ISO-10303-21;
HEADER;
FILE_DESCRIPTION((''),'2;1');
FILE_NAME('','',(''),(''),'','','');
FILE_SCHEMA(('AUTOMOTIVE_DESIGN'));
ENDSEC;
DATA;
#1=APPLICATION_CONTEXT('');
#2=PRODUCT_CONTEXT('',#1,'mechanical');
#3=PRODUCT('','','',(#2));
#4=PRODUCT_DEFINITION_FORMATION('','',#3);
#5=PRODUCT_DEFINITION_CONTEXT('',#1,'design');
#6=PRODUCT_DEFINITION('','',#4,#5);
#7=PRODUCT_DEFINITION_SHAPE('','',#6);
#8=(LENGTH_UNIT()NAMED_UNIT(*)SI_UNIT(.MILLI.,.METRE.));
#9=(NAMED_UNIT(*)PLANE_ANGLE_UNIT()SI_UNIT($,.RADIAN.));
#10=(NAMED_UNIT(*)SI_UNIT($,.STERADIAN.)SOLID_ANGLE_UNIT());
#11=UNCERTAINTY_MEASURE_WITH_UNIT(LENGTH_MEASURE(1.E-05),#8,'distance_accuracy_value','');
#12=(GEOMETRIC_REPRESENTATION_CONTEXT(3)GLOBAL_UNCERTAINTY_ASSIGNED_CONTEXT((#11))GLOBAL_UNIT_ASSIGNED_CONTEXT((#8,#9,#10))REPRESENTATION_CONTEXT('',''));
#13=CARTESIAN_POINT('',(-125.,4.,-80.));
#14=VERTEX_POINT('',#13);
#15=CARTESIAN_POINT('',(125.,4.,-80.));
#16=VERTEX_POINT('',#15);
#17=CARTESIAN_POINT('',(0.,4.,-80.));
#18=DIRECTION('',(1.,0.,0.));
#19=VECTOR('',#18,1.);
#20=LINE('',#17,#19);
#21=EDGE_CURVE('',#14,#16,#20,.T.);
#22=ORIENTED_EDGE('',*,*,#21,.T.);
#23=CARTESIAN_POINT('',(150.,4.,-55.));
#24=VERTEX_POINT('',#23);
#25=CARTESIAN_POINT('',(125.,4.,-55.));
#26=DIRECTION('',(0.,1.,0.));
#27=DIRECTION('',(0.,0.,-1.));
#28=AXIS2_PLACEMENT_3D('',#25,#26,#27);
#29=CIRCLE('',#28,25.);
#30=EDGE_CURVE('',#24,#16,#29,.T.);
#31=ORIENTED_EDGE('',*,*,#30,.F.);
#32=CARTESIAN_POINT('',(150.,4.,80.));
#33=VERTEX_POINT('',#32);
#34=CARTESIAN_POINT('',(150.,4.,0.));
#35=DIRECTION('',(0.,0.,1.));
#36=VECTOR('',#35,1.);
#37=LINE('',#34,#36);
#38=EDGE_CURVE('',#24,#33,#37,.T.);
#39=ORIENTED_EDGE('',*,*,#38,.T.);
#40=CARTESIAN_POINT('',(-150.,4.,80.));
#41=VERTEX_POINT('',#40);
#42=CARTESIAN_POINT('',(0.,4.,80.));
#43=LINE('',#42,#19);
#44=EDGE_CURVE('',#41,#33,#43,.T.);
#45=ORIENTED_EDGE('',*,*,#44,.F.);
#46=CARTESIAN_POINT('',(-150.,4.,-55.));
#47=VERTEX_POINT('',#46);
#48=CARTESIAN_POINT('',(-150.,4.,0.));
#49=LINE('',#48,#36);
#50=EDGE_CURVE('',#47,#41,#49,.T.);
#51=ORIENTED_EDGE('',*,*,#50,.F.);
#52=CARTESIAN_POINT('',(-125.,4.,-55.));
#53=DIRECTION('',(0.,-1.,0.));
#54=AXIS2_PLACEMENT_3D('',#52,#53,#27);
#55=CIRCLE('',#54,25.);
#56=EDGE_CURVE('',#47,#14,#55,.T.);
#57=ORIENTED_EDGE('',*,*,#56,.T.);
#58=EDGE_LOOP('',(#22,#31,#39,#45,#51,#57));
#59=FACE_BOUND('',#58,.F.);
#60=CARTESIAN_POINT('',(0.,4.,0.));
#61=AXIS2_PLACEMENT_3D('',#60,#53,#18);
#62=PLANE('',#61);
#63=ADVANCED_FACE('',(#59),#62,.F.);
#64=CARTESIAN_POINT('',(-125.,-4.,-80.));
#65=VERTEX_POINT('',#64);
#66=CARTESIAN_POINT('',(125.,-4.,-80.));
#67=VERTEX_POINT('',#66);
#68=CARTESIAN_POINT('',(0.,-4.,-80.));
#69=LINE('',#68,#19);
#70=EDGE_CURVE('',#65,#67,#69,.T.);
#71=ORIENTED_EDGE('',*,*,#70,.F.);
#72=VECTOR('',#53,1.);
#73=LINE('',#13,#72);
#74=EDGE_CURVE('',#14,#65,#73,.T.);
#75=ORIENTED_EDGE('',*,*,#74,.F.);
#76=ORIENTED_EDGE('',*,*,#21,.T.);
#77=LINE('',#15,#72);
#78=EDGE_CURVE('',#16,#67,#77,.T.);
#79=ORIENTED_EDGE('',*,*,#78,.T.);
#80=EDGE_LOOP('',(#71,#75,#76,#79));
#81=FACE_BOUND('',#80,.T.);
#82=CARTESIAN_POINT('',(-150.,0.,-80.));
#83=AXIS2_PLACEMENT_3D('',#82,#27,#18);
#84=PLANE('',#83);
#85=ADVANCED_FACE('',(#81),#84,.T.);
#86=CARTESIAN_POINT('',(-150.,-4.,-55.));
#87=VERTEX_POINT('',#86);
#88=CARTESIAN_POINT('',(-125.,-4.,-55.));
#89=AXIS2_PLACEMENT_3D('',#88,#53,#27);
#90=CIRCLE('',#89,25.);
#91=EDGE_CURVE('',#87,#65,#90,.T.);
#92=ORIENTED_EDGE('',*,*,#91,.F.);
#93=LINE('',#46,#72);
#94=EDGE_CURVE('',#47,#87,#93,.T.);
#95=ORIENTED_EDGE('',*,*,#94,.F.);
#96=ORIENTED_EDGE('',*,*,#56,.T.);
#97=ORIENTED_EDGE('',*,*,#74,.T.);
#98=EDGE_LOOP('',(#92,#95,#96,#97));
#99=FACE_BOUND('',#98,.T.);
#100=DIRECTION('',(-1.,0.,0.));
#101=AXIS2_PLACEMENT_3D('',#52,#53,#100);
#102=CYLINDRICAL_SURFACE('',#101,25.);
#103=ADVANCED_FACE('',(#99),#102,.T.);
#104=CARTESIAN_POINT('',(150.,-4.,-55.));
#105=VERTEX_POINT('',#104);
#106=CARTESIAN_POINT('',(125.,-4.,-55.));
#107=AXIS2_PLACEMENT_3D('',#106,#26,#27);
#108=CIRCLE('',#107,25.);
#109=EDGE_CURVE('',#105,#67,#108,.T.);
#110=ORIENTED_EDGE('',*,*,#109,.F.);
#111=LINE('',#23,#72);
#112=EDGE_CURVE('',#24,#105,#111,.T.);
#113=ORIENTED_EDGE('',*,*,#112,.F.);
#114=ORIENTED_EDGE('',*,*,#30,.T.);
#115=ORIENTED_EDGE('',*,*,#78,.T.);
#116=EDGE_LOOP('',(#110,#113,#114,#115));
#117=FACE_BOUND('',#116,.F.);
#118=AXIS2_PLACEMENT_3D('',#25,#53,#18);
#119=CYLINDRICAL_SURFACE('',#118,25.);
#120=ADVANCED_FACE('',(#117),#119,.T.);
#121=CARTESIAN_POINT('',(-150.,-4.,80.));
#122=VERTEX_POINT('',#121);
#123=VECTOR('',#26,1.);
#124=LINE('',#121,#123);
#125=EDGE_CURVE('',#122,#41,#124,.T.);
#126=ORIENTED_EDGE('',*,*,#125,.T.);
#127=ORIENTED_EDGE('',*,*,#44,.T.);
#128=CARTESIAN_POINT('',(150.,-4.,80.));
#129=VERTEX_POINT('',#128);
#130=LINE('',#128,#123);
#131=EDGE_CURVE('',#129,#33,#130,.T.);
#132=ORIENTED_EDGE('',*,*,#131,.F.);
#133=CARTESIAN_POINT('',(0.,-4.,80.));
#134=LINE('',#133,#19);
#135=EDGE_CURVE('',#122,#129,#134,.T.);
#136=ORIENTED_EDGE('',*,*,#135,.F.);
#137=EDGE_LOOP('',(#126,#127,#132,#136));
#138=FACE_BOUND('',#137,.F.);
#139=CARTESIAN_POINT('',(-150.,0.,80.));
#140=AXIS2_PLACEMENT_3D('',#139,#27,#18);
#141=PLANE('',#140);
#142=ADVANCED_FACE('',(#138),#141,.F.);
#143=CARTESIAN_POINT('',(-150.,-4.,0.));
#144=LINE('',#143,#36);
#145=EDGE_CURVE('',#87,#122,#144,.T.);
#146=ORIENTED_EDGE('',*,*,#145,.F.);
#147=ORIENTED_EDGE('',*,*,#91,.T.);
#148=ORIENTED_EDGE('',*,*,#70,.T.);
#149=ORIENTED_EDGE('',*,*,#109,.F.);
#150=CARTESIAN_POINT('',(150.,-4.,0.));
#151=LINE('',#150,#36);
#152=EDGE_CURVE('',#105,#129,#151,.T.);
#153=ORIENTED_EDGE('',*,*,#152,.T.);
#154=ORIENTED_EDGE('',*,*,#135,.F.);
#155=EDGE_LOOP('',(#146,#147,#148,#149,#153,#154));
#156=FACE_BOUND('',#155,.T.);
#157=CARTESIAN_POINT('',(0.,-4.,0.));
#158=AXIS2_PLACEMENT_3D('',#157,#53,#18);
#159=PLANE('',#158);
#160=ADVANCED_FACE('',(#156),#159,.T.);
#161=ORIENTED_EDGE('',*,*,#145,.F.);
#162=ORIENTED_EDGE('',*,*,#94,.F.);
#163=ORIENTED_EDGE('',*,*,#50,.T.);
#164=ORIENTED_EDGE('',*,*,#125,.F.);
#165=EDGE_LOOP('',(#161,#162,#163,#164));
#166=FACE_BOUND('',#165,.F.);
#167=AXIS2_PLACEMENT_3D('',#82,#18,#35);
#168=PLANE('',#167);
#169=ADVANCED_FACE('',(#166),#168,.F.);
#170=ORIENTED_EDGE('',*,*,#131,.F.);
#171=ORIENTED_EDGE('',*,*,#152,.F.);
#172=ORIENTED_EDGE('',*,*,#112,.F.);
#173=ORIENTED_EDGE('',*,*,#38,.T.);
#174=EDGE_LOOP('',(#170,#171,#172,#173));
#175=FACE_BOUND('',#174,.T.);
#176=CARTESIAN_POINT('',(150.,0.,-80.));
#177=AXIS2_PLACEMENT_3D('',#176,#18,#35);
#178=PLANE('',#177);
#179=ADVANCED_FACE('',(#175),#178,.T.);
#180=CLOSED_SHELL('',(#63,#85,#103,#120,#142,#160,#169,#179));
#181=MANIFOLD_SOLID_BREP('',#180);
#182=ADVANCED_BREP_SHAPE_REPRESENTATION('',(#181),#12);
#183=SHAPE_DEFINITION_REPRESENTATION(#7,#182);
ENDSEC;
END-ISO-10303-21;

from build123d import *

# Parameters (mm, degrees)
F0_W     = 300
F0_H     = 160
F1_DEPTH = 4
F2_R     = 25


with BuildPart() as f1:
    # F0 (on Front) → F1 (new body, symmetric)
    with BuildSketch(Plane.XZ):
        Rectangle(F0_W, F0_H)
    extrude(amount=F1_DEPTH, both=True)

    # F2
    f2_edges = [f1.edges().sort_by_distance(p)[0] for p in [
        (150, 0, -80),
        (-150, 0, -80),
    ]]
    fillet(f2_edges, radius=F2_R)


solid = f1.part
